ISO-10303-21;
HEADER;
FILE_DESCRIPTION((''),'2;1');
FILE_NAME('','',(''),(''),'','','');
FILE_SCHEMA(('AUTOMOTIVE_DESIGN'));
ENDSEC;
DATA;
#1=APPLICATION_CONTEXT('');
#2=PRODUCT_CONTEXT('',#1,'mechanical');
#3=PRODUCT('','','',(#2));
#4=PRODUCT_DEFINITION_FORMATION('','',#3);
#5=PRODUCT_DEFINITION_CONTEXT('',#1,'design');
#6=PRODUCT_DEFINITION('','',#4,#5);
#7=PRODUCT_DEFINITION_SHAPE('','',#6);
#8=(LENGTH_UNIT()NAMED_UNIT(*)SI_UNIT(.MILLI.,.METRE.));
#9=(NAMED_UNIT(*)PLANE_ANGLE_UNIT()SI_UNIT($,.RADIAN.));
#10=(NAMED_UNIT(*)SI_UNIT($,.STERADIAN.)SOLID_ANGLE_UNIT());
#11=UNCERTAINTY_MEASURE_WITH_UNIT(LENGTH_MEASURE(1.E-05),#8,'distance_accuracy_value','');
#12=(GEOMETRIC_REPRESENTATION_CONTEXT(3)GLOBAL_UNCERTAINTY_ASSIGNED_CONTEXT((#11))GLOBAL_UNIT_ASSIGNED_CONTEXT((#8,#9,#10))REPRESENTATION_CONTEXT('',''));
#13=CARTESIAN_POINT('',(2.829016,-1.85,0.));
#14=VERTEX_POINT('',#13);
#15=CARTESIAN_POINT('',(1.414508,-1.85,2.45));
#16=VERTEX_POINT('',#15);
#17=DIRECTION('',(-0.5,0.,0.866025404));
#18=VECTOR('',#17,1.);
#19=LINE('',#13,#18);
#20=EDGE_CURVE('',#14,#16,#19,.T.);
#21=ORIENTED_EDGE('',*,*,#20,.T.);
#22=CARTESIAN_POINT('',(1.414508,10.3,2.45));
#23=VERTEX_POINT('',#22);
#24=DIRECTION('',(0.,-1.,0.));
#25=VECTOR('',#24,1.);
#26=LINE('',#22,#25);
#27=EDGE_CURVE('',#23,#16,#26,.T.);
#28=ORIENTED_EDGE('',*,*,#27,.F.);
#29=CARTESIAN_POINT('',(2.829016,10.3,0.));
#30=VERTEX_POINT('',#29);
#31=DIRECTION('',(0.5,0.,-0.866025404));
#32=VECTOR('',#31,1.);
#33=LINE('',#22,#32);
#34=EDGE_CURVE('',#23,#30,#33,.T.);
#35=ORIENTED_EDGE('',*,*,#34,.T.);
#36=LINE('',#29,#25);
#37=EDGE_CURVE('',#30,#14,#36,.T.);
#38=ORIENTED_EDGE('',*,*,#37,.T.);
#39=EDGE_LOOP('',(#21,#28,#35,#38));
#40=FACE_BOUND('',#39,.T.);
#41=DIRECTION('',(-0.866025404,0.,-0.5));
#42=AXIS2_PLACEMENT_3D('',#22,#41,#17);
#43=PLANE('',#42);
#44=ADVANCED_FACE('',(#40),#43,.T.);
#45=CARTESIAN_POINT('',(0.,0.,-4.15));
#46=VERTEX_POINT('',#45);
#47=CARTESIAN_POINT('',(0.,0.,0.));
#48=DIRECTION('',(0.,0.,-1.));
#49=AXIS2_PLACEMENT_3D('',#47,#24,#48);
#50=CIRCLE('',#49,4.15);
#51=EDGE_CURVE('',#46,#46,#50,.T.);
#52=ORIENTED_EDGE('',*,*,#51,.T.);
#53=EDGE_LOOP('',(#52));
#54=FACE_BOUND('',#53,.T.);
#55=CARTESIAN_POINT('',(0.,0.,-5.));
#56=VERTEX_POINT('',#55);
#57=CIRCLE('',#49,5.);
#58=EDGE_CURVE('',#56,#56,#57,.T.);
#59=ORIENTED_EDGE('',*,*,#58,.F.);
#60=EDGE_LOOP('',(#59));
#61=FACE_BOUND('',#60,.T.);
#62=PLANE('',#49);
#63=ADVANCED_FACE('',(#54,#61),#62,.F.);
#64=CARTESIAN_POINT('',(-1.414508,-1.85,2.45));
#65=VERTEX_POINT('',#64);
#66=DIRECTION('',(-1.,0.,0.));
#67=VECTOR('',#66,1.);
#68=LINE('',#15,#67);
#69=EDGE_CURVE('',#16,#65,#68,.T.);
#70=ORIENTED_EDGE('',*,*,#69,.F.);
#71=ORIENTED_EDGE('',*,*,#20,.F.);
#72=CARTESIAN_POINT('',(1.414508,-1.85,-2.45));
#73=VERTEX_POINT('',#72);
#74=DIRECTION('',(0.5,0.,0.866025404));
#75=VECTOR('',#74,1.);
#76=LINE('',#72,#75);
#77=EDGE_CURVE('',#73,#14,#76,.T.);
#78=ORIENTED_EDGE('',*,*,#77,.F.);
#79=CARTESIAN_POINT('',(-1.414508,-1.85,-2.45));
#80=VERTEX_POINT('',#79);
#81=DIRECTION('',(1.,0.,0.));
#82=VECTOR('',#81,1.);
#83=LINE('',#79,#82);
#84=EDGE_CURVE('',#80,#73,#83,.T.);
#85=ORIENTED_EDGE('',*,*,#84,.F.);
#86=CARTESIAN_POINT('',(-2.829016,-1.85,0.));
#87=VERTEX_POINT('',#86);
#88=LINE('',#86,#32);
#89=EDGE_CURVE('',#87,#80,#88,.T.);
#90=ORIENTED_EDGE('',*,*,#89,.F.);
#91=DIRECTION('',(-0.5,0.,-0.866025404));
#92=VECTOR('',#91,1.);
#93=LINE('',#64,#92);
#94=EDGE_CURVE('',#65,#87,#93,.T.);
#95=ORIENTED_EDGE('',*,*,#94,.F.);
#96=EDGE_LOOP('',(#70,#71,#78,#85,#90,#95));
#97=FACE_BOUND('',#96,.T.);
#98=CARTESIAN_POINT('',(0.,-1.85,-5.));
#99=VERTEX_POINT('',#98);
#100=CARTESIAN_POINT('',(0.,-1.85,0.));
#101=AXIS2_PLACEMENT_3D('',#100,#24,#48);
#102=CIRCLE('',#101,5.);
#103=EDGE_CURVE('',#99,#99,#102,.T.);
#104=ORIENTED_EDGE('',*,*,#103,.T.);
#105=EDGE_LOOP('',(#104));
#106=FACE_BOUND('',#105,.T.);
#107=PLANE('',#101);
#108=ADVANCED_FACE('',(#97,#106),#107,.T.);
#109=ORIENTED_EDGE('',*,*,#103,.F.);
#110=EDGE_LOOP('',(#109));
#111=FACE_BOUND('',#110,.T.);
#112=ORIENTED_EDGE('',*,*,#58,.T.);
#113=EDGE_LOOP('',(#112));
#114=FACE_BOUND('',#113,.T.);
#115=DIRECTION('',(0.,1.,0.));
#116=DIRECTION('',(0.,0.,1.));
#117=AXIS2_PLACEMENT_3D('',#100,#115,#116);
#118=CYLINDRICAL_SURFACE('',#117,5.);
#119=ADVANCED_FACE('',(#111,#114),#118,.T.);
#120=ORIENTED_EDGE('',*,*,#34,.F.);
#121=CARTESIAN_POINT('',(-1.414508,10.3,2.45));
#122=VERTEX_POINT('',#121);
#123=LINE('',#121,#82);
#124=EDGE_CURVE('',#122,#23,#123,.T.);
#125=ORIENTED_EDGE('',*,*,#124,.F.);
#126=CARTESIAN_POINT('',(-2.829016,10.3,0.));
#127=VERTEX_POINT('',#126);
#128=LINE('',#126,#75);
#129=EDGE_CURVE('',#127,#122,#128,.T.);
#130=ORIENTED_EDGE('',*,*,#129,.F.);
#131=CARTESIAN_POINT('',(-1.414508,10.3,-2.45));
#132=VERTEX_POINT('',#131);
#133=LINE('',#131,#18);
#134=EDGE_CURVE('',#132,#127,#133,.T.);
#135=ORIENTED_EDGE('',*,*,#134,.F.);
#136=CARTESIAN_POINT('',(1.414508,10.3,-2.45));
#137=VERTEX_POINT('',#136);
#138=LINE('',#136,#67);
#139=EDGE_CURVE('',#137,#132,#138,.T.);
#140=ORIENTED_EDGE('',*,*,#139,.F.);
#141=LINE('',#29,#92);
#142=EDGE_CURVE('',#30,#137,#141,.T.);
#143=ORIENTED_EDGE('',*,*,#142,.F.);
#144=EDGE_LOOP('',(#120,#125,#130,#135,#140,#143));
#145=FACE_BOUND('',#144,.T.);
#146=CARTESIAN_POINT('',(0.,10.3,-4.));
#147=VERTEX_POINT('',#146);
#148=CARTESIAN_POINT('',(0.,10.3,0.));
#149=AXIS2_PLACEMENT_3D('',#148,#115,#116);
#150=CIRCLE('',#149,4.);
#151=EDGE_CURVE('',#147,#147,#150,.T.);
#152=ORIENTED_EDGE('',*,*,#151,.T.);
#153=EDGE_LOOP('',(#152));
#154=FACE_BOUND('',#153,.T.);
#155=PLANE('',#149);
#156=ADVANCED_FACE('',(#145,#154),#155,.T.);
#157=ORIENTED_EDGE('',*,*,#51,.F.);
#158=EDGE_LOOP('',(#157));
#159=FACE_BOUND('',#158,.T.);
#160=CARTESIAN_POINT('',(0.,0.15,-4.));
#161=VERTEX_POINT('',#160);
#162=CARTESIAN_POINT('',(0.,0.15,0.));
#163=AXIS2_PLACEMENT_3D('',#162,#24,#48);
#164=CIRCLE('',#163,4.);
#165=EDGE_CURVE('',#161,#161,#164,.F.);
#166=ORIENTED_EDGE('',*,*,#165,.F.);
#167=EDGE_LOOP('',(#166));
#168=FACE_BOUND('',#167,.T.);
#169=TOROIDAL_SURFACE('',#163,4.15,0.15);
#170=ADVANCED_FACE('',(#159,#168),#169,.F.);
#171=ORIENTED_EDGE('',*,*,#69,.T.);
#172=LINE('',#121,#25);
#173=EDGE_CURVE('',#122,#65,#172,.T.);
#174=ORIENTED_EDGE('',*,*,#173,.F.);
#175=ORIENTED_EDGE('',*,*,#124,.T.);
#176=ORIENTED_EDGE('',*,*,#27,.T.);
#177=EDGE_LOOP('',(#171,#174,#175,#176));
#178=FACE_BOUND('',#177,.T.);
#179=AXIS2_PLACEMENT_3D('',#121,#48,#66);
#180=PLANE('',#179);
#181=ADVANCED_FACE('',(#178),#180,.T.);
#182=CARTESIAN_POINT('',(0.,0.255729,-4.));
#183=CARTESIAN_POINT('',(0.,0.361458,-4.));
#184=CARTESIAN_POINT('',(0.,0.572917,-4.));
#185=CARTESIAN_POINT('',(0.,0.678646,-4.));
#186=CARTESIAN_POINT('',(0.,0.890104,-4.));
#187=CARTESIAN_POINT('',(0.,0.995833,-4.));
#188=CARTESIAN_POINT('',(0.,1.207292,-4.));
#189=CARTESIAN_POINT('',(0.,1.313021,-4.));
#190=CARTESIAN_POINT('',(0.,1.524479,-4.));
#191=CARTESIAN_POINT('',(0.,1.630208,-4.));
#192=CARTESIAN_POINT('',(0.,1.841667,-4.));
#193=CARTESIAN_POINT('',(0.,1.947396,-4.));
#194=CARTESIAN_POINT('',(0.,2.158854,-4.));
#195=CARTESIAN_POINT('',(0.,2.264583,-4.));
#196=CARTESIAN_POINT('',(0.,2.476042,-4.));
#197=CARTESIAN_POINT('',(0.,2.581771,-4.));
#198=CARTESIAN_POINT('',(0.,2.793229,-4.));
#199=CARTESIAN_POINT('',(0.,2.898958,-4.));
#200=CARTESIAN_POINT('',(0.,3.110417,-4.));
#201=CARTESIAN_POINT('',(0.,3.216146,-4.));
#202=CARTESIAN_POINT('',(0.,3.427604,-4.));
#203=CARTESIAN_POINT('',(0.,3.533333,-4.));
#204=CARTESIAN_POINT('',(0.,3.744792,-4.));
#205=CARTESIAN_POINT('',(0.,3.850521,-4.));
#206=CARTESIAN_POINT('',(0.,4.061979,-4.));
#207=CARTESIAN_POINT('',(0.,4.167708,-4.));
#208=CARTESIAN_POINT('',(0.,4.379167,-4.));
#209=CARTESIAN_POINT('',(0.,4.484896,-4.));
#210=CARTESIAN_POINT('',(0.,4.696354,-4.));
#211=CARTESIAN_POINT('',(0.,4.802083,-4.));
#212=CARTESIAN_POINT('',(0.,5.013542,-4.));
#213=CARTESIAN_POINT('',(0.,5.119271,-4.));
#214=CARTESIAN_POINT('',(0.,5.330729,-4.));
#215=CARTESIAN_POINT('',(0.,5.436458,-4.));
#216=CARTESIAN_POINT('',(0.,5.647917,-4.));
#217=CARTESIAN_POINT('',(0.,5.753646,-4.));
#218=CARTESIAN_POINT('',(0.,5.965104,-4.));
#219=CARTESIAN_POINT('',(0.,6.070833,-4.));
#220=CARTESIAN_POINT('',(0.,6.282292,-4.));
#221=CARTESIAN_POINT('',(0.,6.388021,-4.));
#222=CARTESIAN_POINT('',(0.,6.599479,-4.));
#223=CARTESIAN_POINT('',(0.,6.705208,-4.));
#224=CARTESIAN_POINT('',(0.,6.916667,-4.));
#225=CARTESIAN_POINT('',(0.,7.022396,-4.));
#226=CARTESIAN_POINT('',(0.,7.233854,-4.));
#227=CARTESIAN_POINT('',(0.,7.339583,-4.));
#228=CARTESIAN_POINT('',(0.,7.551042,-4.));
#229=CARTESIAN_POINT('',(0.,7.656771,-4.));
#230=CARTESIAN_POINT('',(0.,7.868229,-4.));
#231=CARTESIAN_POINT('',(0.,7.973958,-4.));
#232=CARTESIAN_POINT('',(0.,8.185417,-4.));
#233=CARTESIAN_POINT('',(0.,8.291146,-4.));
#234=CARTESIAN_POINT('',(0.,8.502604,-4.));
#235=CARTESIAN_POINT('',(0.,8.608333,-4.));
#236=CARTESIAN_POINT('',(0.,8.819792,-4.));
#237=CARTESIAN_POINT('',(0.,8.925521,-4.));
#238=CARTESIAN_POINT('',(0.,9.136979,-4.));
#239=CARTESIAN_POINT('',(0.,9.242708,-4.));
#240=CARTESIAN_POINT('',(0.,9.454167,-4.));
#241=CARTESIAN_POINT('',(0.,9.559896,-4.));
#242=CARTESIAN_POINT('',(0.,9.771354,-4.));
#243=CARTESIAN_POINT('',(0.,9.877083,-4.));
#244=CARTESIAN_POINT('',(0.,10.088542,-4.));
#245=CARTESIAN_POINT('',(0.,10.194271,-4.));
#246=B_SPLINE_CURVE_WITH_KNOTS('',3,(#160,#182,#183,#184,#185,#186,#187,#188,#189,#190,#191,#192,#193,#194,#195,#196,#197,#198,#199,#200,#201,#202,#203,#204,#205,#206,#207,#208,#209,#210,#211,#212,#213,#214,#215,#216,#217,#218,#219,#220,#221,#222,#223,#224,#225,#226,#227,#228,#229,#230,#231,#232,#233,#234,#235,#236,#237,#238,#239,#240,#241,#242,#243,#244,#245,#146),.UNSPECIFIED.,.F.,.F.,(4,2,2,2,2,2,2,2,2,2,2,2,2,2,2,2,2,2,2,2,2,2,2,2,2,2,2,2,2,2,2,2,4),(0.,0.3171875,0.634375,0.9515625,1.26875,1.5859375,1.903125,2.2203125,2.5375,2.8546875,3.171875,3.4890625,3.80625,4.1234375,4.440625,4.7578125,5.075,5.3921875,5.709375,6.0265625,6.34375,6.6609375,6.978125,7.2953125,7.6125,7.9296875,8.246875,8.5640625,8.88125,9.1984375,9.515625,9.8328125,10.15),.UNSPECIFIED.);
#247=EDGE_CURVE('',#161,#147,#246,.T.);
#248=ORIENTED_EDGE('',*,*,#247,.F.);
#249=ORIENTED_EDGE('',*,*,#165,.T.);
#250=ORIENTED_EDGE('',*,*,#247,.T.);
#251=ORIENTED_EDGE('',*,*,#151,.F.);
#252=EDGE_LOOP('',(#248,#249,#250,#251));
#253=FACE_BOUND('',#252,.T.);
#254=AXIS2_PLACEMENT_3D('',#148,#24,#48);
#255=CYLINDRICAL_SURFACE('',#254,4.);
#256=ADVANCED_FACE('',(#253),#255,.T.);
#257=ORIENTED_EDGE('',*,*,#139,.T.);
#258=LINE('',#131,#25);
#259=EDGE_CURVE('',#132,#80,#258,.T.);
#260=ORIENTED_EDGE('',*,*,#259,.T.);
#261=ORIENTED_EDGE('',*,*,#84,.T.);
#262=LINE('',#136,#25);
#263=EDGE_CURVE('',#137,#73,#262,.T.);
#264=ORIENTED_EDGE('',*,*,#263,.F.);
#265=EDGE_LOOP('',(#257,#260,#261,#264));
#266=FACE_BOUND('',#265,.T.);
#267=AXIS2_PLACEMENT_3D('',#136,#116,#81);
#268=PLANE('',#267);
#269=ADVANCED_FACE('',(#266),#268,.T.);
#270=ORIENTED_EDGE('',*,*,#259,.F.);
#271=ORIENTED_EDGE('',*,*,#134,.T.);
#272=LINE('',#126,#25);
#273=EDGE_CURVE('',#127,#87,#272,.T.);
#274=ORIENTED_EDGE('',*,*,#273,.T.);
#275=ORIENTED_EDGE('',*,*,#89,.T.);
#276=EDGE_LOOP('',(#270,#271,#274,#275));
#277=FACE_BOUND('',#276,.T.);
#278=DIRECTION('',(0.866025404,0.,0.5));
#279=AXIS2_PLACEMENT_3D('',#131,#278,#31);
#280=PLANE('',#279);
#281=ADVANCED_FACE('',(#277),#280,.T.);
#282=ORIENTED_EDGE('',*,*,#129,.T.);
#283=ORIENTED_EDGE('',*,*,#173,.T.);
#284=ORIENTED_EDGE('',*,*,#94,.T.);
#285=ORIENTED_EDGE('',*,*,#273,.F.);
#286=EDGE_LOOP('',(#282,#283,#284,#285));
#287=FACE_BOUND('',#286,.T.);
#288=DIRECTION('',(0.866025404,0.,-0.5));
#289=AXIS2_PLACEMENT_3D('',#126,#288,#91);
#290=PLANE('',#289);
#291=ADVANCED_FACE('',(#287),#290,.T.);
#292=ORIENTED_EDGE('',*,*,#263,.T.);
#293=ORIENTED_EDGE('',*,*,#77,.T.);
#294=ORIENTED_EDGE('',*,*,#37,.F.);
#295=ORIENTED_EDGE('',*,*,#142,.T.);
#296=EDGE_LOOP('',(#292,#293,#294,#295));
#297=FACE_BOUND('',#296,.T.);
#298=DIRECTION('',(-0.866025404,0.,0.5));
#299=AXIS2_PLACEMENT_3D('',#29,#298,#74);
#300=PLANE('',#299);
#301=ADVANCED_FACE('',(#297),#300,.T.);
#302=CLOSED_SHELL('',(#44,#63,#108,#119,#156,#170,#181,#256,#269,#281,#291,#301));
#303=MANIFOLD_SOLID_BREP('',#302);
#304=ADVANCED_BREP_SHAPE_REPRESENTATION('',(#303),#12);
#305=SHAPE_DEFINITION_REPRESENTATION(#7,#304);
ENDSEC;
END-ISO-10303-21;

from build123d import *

# Parameters (mm, degrees)
SKETCH1_R           = 4
BOSS_EXTRUDE1_DEPTH = 10.3
SKETCH2_R           = 5
BOSS_EXTRUDE2_DEPTH = 1.85
FILLET1_R           = 0.15


with BuildPart() as part:
    # Sketch1 → Boss-Extrude1 (new body)
    with BuildSketch(Plane(origin=(0, 0, 0), x_dir=(1, 0, 0), z_dir=(0, 1, 0))):
        with Locations(Location((0, 0, 0), (0, 0, 90))):
            Circle(SKETCH1_R)
        Polygon((2.829016319, 0), (1.41450816, 2.45), (-1.41450816, 2.45), (-2.829016319, 0), (-1.41450816, -2.45), (1.41450816, -2.45), align=None, mode=Mode.SUBTRACT)
    extrude(amount=BOSS_EXTRUDE1_DEPTH)

    # Sketch2 → Boss-Extrude2 (add)
    with BuildSketch(Plane.XZ):
        with Locations(Location((0, 0, 0), (0, 0, 270))):
            Circle(SKETCH2_R)
        Polygon((2.829016319, 0), (1.41450816, 2.45), (-1.41450816, 2.45), (-2.829016319, 0), (-1.41450816, -2.45), (1.41450816, -2.45), align=None, mode=Mode.SUBTRACT)
    extrude(amount=BOSS_EXTRUDE2_DEPTH)

    # Fillet1
    fillet1_edges = [part.edges().sort_by_distance(p)[0] for p in [
        (0, 0, 4),
    ]]
    fillet(fillet1_edges, radius=FILLET1_R)


solid = part.part
